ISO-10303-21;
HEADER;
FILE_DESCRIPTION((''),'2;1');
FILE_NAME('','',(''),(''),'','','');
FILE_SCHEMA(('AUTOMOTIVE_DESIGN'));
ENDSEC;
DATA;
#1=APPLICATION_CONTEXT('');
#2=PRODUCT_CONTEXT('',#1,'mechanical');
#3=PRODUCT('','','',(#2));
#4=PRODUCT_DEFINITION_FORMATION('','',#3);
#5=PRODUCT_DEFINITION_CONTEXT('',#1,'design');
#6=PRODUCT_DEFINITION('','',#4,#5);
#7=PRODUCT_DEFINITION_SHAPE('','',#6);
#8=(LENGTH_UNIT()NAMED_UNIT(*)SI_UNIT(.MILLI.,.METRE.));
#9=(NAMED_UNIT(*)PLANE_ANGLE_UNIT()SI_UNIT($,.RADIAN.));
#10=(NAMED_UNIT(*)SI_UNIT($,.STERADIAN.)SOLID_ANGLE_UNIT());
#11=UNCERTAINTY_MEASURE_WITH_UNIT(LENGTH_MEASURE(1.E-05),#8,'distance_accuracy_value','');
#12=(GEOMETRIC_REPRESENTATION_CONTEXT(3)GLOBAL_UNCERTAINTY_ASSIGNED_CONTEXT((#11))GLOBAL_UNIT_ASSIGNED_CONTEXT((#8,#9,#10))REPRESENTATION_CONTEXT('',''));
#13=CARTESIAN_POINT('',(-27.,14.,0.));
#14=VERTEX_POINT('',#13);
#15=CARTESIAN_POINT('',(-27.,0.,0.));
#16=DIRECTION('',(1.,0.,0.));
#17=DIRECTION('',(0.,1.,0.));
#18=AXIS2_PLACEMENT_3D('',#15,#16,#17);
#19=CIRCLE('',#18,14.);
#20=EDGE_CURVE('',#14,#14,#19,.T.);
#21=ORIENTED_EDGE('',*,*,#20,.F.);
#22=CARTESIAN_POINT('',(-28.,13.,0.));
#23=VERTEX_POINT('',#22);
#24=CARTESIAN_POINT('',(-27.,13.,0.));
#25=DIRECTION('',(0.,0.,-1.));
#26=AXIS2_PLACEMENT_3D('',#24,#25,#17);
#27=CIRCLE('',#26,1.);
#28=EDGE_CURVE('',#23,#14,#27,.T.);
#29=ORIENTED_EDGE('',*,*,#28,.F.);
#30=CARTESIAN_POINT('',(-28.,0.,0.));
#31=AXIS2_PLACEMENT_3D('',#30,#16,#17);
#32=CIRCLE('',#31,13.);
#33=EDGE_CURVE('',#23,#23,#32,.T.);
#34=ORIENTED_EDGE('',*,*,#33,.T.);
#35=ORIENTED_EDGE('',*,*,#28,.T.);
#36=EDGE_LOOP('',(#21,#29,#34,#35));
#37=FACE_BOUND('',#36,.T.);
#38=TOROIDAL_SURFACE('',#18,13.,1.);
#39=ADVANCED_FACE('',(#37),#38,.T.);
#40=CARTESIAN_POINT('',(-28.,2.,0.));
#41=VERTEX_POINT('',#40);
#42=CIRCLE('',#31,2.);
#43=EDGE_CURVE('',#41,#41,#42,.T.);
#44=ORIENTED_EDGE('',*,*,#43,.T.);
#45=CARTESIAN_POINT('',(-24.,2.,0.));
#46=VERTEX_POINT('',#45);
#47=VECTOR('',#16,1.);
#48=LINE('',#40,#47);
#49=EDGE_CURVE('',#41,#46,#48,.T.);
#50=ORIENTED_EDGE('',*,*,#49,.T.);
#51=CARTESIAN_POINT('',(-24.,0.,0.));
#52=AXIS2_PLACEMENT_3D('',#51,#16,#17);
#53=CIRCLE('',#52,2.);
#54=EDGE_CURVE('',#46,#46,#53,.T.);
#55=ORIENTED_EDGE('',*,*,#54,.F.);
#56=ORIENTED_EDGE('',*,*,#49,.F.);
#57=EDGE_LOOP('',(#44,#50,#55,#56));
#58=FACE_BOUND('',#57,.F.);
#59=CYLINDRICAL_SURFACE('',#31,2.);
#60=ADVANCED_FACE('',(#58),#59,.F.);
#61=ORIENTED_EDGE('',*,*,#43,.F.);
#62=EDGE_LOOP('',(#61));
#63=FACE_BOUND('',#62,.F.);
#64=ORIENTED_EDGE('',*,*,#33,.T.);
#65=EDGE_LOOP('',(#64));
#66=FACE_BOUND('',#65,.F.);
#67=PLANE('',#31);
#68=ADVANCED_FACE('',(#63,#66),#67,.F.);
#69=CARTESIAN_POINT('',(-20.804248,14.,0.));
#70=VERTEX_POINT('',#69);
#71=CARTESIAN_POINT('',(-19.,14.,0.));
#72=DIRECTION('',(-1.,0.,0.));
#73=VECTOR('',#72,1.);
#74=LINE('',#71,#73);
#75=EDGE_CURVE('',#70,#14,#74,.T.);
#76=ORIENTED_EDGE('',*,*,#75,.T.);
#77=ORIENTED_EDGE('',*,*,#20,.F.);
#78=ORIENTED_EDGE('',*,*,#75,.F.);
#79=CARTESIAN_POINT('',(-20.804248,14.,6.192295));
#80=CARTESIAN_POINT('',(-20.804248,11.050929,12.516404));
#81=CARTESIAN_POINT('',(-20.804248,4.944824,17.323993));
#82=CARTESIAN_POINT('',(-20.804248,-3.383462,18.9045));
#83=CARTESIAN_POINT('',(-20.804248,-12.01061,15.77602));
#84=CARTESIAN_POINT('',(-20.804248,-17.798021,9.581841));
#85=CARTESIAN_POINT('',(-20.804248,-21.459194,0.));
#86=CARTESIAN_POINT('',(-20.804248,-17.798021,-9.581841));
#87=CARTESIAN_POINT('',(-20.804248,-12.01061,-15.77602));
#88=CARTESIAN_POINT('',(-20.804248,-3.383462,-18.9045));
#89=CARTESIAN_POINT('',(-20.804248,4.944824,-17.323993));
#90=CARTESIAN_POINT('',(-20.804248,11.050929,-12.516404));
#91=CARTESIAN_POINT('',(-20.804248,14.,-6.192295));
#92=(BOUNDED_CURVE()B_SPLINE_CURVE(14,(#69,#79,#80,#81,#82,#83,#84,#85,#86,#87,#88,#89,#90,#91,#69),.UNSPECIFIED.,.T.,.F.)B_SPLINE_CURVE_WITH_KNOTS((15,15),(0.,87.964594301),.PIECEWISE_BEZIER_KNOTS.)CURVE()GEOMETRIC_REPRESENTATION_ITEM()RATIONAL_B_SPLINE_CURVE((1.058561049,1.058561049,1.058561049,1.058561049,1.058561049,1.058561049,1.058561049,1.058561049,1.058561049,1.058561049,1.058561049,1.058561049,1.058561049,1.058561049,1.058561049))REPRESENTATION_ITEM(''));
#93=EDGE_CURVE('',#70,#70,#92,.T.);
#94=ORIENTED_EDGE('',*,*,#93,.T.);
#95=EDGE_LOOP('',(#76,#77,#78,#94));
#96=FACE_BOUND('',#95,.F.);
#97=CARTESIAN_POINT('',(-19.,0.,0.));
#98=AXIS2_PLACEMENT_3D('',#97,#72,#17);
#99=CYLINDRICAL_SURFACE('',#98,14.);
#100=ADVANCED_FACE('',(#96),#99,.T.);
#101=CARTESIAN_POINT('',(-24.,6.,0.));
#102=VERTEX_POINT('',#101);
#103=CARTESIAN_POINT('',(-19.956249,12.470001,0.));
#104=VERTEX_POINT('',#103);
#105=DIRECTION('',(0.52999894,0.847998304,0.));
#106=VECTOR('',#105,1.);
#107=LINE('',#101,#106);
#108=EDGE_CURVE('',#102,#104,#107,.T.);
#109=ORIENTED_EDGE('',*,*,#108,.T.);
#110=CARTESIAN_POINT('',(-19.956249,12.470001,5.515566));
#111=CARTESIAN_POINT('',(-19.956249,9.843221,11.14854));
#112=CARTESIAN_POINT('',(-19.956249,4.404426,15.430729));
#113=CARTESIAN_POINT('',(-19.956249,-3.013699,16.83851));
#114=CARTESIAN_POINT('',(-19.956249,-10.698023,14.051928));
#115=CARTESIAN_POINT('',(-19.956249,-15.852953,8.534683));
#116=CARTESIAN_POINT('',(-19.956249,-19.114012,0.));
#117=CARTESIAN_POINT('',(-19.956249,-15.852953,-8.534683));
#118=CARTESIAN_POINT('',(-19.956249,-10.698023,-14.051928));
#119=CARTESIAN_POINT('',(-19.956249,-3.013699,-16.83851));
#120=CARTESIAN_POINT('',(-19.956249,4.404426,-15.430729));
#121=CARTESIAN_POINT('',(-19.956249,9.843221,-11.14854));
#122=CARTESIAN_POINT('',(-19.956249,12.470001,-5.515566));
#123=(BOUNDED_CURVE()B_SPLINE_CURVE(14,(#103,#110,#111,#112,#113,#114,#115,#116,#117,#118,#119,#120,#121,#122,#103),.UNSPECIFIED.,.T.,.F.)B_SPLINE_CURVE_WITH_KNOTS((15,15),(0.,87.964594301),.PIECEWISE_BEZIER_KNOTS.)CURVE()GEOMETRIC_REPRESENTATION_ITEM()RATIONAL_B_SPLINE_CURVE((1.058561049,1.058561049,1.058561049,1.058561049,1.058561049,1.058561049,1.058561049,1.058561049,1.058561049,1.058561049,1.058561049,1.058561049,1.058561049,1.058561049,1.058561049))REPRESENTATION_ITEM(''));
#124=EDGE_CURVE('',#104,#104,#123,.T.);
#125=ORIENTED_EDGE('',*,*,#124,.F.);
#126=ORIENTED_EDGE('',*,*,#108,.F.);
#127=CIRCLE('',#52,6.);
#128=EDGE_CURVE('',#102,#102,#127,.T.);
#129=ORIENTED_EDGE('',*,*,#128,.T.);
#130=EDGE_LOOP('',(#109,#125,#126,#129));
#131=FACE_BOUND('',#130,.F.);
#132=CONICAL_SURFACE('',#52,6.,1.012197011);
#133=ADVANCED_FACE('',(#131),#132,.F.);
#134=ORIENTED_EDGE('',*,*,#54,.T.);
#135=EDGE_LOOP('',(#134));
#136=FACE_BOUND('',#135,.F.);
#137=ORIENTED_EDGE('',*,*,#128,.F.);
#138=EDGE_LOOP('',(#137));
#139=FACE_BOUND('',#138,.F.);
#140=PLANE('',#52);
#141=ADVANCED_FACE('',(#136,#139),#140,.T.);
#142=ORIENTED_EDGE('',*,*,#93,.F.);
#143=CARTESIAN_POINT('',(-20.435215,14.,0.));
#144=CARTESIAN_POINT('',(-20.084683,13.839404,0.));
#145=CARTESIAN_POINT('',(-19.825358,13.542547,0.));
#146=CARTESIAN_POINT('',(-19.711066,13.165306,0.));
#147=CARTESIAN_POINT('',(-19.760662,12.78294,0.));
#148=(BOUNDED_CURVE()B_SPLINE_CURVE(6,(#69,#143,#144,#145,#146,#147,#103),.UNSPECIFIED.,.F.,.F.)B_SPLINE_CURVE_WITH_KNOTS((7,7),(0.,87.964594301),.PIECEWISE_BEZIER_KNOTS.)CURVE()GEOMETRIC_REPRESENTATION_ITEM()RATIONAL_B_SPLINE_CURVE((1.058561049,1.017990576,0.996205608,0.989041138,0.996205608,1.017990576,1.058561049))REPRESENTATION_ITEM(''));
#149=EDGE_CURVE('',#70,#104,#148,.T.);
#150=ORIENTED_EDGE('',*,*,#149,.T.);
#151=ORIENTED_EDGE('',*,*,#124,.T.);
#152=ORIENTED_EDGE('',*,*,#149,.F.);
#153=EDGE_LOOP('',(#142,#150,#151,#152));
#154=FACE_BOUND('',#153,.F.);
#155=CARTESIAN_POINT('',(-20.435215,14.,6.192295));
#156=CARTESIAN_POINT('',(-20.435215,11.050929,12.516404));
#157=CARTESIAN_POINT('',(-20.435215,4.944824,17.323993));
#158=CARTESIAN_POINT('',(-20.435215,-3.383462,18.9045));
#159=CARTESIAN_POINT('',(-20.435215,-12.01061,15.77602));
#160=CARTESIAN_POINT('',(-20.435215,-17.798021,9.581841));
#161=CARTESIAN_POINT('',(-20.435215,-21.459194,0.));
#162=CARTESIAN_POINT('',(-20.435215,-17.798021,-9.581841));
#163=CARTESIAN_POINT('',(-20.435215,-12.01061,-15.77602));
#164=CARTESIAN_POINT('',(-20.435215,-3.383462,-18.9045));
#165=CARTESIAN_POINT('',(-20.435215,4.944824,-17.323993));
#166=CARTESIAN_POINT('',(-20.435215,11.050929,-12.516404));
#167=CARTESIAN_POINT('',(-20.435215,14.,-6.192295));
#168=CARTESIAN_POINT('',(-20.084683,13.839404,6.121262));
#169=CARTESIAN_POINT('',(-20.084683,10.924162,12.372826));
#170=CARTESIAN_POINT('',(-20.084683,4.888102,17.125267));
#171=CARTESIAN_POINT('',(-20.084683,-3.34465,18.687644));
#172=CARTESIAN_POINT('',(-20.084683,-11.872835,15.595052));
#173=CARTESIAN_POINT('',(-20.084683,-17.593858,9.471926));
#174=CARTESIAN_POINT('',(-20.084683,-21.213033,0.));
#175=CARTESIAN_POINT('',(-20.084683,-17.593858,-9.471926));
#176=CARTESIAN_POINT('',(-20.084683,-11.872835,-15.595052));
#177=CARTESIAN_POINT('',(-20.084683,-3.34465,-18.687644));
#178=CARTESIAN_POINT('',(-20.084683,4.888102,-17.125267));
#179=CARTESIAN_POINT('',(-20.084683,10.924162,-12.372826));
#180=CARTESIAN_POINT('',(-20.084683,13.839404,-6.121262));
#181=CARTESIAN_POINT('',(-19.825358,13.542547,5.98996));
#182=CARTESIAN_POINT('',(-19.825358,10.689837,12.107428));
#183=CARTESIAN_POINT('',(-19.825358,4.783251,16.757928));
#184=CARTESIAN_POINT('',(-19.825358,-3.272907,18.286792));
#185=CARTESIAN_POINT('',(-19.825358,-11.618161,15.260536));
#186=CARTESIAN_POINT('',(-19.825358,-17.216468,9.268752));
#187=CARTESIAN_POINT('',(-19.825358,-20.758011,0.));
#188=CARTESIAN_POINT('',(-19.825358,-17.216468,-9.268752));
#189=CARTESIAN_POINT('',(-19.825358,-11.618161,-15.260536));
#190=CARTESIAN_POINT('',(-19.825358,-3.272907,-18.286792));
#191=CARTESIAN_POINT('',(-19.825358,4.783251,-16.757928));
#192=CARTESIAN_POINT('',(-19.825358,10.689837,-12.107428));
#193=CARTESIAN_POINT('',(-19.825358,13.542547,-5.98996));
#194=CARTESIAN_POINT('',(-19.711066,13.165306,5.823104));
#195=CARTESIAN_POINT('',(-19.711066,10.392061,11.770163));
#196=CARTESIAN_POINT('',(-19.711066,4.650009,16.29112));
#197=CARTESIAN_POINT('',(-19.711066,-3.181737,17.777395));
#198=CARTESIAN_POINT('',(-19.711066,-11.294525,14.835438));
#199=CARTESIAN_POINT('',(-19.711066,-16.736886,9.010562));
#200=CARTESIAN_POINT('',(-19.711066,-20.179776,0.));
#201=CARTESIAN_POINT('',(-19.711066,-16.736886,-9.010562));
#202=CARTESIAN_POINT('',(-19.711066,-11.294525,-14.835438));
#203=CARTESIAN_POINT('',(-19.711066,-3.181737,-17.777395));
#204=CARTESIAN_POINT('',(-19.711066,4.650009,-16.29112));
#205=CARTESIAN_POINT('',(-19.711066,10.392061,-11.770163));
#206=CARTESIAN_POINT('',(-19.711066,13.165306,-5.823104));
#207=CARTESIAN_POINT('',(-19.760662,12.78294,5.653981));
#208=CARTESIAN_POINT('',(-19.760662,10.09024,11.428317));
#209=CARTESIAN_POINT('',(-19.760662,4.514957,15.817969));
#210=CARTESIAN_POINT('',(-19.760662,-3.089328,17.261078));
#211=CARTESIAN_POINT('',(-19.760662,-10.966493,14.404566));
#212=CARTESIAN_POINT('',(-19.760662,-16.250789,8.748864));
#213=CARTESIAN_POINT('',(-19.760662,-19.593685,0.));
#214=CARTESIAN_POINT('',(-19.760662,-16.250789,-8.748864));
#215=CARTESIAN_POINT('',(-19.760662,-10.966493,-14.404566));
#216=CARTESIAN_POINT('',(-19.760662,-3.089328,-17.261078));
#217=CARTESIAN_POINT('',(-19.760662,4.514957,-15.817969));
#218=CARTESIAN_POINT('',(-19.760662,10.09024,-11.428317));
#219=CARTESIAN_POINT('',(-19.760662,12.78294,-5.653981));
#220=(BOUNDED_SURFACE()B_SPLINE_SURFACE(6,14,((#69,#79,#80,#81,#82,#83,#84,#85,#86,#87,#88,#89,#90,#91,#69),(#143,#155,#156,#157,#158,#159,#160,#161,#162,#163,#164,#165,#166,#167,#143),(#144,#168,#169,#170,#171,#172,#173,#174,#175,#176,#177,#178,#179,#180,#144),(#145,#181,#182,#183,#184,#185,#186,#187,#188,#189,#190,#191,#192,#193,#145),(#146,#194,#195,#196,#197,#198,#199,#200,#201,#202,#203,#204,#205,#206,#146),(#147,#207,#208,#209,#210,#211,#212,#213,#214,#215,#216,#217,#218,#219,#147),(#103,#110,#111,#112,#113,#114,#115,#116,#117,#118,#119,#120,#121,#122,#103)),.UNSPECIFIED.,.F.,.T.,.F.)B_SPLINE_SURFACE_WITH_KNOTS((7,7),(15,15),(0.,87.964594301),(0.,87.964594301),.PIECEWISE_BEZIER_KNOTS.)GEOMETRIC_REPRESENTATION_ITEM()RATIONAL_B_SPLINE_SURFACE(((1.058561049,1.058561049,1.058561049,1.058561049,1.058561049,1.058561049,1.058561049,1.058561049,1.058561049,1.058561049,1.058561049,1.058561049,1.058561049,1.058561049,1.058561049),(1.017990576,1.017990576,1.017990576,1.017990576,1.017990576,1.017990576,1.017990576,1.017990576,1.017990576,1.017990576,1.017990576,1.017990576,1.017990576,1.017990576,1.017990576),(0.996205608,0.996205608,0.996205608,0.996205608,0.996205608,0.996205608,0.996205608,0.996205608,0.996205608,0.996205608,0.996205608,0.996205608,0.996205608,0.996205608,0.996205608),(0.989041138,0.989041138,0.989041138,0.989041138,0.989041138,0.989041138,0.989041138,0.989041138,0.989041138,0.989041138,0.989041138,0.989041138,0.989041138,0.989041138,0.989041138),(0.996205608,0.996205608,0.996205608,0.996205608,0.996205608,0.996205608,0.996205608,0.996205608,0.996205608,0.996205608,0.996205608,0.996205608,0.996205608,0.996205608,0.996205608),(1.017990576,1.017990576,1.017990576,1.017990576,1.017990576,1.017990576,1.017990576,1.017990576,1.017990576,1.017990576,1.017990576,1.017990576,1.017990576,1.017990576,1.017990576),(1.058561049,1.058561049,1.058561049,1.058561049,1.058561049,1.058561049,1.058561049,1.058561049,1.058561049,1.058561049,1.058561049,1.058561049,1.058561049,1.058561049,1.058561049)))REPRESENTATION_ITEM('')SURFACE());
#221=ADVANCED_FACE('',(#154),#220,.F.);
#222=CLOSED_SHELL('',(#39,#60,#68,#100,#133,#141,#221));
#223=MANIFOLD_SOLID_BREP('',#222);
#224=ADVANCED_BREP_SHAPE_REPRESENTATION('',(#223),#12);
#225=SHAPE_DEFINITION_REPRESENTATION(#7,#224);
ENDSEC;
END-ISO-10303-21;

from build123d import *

# Parameters (mm, degrees)
FILLET001_R = 1
FILLET002_R = 1


with BuildPart() as part:
    # Sketch004 → Revolution (revolve)
    with BuildSketch(Plane.XY):
        Polygon((2, 14), (2, 2), (6, 2), (6, 6), (11, 14), align=None)
    revolve(axis=Axis((0, 0, 0), (1, 0, 0)))

    # Fillet001
    fillet001_edges = [part.edges().sort_by_distance(p)[0] for p in [
        (2, -14, 0),
    ]]
    fillet(fillet001_edges, radius=FILLET001_R)

    # Fillet002
    fillet002_edges = [part.edges().sort_by_distance(p)[0] for p in [
        (11, -14, 0),
    ]]
    fillet(fillet002_edges, radius=FILLET002_R)


with BuildPart() as part_1:
    # Body001 placement: moved
    add(part.part.moved(Location((-30, 0, 0))))


solid = part_1.part
